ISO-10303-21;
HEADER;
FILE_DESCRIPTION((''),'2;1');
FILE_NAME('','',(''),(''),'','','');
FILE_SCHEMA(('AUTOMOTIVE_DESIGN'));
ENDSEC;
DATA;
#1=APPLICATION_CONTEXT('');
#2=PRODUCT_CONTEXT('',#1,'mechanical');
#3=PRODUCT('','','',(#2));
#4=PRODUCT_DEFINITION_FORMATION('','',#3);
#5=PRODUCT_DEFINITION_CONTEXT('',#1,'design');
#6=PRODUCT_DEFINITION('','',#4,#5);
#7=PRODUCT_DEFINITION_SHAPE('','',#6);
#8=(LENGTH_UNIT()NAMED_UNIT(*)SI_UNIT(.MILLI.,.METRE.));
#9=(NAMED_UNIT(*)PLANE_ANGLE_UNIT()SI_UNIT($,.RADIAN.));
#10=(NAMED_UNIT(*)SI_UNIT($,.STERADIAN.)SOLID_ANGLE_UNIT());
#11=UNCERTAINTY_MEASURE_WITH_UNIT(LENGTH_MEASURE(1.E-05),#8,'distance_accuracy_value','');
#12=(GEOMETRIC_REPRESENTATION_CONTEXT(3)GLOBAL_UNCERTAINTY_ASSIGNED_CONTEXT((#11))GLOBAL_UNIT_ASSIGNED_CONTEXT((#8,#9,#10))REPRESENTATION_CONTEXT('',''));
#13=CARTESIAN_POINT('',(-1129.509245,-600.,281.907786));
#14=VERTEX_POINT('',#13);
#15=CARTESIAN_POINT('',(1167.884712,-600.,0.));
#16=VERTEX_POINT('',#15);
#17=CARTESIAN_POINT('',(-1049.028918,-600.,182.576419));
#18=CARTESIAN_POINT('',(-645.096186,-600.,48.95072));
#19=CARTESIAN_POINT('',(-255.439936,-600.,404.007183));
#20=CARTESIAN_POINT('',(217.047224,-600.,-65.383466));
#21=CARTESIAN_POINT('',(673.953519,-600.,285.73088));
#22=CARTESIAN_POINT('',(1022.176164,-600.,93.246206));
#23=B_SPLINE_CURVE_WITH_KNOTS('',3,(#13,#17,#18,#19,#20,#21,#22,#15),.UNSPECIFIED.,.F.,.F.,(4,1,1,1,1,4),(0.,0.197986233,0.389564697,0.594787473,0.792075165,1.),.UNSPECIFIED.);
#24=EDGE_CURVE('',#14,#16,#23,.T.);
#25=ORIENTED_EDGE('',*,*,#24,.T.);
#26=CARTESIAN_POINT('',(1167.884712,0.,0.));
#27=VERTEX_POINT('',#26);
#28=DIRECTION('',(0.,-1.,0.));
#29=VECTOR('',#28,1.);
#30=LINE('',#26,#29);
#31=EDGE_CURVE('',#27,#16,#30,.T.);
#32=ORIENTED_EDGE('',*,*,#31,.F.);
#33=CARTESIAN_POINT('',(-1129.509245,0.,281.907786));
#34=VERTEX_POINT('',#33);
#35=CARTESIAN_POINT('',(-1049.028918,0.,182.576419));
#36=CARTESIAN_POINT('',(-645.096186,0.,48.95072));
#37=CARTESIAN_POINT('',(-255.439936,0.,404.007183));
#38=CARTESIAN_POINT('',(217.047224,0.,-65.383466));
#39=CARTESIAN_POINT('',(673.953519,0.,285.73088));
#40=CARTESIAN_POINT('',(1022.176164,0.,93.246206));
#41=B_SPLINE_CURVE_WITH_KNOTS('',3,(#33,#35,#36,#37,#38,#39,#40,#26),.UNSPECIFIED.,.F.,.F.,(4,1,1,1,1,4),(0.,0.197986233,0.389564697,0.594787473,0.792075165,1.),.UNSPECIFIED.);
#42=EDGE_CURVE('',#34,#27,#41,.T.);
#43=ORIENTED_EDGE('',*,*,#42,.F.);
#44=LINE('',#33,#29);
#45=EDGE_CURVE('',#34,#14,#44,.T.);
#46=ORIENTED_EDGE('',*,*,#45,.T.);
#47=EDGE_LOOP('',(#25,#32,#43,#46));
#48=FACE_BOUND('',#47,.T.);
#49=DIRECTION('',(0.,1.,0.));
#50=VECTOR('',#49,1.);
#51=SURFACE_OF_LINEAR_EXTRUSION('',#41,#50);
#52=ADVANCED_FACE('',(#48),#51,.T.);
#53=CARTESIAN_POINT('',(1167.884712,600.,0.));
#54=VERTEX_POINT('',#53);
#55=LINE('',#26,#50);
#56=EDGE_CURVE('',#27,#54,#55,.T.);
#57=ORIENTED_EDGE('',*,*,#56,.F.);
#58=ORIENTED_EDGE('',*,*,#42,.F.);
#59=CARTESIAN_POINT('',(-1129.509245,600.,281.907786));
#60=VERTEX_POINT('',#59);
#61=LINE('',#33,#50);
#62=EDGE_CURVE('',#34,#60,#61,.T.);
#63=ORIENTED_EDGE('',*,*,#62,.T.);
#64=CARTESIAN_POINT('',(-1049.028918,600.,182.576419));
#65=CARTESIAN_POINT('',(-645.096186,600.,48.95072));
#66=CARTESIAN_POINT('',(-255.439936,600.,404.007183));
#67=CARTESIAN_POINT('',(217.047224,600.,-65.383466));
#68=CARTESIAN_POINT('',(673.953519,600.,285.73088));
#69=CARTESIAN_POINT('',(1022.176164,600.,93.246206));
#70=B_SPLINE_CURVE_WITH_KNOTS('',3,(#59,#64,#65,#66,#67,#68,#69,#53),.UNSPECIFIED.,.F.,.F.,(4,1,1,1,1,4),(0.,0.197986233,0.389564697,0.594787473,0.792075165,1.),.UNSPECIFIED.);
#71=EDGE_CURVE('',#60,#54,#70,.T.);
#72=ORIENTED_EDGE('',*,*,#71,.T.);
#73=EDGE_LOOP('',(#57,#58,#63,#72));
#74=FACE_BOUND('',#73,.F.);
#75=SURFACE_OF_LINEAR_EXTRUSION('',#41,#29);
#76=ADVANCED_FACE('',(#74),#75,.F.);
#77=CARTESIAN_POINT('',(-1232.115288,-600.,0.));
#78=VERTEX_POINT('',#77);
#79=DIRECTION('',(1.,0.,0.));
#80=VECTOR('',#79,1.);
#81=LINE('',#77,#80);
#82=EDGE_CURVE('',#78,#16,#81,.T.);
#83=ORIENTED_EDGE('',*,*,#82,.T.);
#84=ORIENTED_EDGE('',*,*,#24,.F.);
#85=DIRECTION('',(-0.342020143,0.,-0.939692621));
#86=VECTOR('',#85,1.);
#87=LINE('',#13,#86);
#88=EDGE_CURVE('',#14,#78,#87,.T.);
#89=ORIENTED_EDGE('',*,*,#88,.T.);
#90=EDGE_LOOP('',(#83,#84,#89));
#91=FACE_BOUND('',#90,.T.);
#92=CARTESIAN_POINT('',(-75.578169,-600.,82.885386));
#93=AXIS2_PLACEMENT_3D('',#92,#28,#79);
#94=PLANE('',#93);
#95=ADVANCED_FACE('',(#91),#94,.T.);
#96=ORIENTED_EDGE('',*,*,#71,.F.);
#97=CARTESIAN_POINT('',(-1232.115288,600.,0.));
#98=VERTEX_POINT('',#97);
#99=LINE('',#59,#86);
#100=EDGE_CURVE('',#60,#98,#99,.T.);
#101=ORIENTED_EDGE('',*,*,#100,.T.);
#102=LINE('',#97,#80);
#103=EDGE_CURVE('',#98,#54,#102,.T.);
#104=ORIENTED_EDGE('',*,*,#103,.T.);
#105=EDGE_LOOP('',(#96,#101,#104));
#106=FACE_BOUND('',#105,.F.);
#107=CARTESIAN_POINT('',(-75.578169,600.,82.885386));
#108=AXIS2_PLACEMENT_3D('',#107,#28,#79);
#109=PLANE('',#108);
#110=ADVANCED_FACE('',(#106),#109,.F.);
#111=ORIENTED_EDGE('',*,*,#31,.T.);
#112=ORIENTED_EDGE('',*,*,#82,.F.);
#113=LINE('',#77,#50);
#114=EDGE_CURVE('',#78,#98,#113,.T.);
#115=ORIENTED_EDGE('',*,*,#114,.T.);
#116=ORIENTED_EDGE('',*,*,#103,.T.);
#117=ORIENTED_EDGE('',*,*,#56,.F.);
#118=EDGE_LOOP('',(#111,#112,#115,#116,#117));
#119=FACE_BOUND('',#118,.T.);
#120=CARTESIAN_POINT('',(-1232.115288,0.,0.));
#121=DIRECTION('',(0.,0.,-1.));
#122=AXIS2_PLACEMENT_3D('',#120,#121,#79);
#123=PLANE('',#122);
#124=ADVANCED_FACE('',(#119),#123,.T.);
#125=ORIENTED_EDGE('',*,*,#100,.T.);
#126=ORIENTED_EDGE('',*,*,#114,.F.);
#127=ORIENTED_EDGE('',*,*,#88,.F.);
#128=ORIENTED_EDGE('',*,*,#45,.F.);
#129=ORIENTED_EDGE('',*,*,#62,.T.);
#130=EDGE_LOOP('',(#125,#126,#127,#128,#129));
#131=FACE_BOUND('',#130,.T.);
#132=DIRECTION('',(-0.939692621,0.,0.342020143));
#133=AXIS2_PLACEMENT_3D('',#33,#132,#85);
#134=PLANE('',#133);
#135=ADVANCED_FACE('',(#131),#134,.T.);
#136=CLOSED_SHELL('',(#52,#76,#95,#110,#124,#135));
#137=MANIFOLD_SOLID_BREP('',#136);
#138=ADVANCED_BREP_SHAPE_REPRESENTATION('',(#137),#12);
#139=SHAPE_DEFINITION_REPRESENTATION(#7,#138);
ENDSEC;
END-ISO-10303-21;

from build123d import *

# Parameters (mm, degrees)
F1_DEPTH = 600


with BuildPart() as f1:
    # F0 (on Front) → F1 (new body, symmetric)
    with BuildSketch(Plane.XZ):
        with BuildLine():
            Line((-1232.1152882797, 0), (1167.8847117203, 0))
            add(Edge.make_bspline(
                [(-1129.509245282, 281.9077862358), (-1049.0289175024, 182.5764190535), (-645.0961858093, 48.9507203732), (-255.4399360913, 404.0071831934), (217.0472236333, -65.3834660024), (673.9535187912, 285.7308804865), (1022.1761642553, 93.2462057894), (1167.8847117203, 0)],
                knots=[0, 0, 0, 0, 0.1979862335, 0.3895646973, 0.5947874727, 0.792075165, 1, 1, 1, 1], degree=3))
            Line((-1129.509245282, 281.9077862358), (-1232.1152882797, 0))
        make_face()
    extrude(amount=F1_DEPTH, both=True)


solid = f1.part
